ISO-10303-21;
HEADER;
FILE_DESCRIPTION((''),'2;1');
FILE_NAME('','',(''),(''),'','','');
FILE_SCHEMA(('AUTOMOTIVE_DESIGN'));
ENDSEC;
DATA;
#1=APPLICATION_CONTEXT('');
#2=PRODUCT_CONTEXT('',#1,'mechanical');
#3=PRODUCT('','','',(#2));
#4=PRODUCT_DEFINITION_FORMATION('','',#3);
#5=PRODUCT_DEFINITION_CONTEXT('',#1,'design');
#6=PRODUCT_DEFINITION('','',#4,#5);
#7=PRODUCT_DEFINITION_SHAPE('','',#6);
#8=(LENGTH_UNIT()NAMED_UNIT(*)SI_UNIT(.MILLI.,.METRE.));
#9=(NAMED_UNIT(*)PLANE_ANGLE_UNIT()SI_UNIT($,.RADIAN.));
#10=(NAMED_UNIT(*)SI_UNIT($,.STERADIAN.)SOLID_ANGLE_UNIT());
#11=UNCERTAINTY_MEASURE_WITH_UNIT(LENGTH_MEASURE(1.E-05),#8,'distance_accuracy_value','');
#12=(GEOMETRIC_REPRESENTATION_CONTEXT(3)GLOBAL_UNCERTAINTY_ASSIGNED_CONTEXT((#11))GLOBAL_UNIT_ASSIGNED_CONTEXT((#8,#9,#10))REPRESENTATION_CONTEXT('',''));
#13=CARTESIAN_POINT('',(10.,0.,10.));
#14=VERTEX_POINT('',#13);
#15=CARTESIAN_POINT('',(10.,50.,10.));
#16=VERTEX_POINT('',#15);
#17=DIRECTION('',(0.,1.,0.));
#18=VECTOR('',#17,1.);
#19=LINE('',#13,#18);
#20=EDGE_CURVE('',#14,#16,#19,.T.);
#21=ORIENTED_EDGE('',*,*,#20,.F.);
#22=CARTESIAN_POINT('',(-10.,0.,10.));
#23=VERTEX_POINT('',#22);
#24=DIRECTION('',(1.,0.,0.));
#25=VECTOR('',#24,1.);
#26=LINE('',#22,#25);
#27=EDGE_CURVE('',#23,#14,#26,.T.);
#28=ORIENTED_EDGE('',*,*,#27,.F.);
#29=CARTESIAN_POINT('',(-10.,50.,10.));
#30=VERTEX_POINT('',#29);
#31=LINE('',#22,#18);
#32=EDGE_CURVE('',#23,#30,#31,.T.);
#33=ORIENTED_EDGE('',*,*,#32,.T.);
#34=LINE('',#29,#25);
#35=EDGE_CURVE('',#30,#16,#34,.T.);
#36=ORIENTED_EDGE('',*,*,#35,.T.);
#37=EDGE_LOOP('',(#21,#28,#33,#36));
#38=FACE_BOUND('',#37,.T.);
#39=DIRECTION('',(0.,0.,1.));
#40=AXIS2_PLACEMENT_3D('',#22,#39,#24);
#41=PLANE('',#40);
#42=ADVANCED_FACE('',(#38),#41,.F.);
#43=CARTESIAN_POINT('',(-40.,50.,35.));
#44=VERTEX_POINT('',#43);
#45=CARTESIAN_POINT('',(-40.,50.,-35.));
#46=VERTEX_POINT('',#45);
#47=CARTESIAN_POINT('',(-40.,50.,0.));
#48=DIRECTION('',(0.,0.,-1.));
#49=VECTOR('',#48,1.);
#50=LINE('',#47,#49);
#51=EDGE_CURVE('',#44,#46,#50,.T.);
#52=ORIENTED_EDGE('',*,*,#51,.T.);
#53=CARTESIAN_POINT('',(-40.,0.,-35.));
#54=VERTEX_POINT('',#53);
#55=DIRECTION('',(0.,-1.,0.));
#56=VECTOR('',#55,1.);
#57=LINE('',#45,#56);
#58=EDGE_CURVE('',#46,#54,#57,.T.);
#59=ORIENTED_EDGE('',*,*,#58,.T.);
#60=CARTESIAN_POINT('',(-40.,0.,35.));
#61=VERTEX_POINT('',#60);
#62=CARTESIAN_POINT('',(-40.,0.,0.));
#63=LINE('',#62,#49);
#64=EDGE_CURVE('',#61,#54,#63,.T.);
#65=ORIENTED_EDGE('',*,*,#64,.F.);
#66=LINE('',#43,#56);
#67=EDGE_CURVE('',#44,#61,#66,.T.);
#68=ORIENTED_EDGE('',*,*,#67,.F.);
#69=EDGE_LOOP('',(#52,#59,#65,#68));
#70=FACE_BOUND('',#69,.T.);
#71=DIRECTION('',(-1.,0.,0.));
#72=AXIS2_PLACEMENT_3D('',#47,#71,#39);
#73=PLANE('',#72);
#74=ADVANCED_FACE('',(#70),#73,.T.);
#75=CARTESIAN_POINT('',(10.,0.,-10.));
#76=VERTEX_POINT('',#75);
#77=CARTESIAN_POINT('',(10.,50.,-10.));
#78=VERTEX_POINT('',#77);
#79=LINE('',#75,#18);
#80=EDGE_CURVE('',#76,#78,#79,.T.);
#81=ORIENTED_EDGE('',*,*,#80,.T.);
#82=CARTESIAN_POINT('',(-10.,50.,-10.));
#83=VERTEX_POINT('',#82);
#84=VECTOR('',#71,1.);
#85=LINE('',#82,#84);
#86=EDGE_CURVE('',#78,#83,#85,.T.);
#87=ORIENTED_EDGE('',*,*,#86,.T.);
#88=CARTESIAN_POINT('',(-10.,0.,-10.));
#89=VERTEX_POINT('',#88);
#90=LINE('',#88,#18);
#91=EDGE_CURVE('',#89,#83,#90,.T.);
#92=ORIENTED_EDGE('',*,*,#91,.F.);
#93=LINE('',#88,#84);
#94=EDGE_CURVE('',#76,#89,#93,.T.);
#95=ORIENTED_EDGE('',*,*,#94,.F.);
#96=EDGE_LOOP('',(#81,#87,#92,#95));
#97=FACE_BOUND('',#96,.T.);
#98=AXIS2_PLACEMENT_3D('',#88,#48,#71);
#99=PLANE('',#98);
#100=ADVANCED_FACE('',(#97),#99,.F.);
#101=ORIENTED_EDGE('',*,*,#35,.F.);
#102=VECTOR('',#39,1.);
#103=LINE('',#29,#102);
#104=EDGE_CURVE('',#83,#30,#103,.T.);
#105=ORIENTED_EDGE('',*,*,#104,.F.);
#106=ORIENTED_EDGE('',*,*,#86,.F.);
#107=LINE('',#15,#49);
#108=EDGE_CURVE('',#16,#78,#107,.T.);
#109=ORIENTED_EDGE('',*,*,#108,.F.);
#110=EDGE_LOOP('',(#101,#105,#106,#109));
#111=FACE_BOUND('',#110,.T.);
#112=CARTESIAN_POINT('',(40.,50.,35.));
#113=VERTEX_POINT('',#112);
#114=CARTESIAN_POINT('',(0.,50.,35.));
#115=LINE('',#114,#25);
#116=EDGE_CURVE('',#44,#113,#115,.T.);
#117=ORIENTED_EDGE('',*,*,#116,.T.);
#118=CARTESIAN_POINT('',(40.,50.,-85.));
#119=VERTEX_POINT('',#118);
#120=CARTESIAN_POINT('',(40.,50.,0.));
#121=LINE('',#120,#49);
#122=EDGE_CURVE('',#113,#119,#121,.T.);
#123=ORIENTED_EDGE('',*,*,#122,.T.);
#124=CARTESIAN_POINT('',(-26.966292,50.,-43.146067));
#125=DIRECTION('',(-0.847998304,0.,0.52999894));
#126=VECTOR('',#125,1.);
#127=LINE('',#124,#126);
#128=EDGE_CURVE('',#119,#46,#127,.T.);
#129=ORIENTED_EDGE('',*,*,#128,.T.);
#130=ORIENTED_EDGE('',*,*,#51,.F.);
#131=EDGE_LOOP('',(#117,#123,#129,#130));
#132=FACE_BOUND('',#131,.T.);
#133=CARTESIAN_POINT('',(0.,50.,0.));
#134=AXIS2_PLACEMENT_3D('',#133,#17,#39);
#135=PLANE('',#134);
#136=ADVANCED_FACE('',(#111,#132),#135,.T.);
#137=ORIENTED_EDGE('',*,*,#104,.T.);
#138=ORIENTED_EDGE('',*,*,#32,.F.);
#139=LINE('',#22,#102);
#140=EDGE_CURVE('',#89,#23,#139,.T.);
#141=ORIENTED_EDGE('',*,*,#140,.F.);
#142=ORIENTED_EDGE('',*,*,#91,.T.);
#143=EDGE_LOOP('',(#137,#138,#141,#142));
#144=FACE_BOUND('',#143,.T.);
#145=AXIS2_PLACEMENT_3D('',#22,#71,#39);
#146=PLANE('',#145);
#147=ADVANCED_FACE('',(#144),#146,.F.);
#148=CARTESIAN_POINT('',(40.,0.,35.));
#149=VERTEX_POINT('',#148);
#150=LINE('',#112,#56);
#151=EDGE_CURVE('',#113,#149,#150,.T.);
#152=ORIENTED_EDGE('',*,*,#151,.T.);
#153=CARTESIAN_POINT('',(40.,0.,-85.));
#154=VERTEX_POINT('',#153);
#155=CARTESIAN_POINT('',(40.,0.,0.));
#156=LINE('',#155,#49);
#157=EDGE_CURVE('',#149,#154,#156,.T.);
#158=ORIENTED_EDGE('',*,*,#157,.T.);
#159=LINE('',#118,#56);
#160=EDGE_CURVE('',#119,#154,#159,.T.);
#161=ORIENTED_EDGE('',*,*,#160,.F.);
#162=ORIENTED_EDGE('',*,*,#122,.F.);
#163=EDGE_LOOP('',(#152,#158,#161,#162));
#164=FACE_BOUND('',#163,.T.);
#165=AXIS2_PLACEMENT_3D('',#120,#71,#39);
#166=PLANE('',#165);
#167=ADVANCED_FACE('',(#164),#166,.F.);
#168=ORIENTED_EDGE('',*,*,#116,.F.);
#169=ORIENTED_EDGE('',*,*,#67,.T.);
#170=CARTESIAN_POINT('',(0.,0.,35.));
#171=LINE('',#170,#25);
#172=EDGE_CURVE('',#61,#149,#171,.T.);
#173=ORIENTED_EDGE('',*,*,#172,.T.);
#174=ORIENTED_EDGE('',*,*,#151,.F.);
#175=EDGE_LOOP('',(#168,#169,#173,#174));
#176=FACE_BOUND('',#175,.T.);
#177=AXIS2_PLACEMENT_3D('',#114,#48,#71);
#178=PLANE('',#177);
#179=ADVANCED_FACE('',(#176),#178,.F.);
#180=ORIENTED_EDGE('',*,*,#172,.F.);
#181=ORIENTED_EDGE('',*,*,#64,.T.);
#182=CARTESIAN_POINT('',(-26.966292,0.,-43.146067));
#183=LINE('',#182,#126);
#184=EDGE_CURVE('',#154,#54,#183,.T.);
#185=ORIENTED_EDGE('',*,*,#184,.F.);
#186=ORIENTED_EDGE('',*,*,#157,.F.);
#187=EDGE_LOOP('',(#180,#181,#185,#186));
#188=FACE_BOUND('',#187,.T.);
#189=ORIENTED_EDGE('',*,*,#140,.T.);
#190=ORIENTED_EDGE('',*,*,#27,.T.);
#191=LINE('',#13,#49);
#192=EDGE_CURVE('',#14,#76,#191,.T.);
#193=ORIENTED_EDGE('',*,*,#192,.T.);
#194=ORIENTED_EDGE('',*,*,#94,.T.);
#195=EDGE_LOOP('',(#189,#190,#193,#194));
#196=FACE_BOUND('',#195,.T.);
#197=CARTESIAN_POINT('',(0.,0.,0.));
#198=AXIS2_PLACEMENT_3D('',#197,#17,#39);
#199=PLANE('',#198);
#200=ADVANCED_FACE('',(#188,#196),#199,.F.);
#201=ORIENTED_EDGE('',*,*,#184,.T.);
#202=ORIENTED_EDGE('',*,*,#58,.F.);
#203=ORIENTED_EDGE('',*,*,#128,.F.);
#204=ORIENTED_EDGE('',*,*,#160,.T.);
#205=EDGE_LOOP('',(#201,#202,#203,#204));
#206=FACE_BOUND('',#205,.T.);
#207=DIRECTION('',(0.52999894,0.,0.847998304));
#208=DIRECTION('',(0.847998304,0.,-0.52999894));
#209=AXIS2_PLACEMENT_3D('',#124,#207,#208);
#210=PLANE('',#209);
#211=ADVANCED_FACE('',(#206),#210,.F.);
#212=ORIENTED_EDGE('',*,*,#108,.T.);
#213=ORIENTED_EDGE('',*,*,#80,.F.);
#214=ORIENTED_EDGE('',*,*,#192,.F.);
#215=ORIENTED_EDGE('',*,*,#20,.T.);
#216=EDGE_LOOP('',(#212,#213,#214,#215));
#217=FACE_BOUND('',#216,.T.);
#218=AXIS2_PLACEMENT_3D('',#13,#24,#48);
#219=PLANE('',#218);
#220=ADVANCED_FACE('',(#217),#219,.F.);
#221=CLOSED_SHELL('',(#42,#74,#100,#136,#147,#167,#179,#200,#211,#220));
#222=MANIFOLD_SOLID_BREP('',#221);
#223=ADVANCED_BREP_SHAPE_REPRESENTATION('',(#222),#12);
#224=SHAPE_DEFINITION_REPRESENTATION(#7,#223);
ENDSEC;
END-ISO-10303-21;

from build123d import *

# Parameters (mm, degrees)
SKETCH1_W           = 80
SKETCH1_H           = 70
BOSS_EXTRUDE1_DEPTH = 50
SKETCH2_W           = 20
SKETCH2_H           = 20
CUT_EXTRUDE1_DEPTH  = 51


with BuildPart() as part:
    # Sketch1 → Boss-Extrude1 (new body)
    with BuildSketch(Plane(origin=(0, 0, 0), x_dir=(1, 0, 0), z_dir=(0, 1, 0))):
        Rectangle(SKETCH1_W, SKETCH1_H)
        Polygon((40, 35), (40, 85), (-40, 35), align=None)
    extrude(amount=BOSS_EXTRUDE1_DEPTH)

    # Sketch2 → Cut-Extrude1 (cut, through all)
    with BuildSketch(Plane(origin=(0, 50, 0), x_dir=(1, 0, 0), z_dir=(0, 1, 0))):
        Rectangle(SKETCH2_W, SKETCH2_H)
    extrude(amount=-CUT_EXTRUDE1_DEPTH, mode=Mode.SUBTRACT)


solid = part.part
